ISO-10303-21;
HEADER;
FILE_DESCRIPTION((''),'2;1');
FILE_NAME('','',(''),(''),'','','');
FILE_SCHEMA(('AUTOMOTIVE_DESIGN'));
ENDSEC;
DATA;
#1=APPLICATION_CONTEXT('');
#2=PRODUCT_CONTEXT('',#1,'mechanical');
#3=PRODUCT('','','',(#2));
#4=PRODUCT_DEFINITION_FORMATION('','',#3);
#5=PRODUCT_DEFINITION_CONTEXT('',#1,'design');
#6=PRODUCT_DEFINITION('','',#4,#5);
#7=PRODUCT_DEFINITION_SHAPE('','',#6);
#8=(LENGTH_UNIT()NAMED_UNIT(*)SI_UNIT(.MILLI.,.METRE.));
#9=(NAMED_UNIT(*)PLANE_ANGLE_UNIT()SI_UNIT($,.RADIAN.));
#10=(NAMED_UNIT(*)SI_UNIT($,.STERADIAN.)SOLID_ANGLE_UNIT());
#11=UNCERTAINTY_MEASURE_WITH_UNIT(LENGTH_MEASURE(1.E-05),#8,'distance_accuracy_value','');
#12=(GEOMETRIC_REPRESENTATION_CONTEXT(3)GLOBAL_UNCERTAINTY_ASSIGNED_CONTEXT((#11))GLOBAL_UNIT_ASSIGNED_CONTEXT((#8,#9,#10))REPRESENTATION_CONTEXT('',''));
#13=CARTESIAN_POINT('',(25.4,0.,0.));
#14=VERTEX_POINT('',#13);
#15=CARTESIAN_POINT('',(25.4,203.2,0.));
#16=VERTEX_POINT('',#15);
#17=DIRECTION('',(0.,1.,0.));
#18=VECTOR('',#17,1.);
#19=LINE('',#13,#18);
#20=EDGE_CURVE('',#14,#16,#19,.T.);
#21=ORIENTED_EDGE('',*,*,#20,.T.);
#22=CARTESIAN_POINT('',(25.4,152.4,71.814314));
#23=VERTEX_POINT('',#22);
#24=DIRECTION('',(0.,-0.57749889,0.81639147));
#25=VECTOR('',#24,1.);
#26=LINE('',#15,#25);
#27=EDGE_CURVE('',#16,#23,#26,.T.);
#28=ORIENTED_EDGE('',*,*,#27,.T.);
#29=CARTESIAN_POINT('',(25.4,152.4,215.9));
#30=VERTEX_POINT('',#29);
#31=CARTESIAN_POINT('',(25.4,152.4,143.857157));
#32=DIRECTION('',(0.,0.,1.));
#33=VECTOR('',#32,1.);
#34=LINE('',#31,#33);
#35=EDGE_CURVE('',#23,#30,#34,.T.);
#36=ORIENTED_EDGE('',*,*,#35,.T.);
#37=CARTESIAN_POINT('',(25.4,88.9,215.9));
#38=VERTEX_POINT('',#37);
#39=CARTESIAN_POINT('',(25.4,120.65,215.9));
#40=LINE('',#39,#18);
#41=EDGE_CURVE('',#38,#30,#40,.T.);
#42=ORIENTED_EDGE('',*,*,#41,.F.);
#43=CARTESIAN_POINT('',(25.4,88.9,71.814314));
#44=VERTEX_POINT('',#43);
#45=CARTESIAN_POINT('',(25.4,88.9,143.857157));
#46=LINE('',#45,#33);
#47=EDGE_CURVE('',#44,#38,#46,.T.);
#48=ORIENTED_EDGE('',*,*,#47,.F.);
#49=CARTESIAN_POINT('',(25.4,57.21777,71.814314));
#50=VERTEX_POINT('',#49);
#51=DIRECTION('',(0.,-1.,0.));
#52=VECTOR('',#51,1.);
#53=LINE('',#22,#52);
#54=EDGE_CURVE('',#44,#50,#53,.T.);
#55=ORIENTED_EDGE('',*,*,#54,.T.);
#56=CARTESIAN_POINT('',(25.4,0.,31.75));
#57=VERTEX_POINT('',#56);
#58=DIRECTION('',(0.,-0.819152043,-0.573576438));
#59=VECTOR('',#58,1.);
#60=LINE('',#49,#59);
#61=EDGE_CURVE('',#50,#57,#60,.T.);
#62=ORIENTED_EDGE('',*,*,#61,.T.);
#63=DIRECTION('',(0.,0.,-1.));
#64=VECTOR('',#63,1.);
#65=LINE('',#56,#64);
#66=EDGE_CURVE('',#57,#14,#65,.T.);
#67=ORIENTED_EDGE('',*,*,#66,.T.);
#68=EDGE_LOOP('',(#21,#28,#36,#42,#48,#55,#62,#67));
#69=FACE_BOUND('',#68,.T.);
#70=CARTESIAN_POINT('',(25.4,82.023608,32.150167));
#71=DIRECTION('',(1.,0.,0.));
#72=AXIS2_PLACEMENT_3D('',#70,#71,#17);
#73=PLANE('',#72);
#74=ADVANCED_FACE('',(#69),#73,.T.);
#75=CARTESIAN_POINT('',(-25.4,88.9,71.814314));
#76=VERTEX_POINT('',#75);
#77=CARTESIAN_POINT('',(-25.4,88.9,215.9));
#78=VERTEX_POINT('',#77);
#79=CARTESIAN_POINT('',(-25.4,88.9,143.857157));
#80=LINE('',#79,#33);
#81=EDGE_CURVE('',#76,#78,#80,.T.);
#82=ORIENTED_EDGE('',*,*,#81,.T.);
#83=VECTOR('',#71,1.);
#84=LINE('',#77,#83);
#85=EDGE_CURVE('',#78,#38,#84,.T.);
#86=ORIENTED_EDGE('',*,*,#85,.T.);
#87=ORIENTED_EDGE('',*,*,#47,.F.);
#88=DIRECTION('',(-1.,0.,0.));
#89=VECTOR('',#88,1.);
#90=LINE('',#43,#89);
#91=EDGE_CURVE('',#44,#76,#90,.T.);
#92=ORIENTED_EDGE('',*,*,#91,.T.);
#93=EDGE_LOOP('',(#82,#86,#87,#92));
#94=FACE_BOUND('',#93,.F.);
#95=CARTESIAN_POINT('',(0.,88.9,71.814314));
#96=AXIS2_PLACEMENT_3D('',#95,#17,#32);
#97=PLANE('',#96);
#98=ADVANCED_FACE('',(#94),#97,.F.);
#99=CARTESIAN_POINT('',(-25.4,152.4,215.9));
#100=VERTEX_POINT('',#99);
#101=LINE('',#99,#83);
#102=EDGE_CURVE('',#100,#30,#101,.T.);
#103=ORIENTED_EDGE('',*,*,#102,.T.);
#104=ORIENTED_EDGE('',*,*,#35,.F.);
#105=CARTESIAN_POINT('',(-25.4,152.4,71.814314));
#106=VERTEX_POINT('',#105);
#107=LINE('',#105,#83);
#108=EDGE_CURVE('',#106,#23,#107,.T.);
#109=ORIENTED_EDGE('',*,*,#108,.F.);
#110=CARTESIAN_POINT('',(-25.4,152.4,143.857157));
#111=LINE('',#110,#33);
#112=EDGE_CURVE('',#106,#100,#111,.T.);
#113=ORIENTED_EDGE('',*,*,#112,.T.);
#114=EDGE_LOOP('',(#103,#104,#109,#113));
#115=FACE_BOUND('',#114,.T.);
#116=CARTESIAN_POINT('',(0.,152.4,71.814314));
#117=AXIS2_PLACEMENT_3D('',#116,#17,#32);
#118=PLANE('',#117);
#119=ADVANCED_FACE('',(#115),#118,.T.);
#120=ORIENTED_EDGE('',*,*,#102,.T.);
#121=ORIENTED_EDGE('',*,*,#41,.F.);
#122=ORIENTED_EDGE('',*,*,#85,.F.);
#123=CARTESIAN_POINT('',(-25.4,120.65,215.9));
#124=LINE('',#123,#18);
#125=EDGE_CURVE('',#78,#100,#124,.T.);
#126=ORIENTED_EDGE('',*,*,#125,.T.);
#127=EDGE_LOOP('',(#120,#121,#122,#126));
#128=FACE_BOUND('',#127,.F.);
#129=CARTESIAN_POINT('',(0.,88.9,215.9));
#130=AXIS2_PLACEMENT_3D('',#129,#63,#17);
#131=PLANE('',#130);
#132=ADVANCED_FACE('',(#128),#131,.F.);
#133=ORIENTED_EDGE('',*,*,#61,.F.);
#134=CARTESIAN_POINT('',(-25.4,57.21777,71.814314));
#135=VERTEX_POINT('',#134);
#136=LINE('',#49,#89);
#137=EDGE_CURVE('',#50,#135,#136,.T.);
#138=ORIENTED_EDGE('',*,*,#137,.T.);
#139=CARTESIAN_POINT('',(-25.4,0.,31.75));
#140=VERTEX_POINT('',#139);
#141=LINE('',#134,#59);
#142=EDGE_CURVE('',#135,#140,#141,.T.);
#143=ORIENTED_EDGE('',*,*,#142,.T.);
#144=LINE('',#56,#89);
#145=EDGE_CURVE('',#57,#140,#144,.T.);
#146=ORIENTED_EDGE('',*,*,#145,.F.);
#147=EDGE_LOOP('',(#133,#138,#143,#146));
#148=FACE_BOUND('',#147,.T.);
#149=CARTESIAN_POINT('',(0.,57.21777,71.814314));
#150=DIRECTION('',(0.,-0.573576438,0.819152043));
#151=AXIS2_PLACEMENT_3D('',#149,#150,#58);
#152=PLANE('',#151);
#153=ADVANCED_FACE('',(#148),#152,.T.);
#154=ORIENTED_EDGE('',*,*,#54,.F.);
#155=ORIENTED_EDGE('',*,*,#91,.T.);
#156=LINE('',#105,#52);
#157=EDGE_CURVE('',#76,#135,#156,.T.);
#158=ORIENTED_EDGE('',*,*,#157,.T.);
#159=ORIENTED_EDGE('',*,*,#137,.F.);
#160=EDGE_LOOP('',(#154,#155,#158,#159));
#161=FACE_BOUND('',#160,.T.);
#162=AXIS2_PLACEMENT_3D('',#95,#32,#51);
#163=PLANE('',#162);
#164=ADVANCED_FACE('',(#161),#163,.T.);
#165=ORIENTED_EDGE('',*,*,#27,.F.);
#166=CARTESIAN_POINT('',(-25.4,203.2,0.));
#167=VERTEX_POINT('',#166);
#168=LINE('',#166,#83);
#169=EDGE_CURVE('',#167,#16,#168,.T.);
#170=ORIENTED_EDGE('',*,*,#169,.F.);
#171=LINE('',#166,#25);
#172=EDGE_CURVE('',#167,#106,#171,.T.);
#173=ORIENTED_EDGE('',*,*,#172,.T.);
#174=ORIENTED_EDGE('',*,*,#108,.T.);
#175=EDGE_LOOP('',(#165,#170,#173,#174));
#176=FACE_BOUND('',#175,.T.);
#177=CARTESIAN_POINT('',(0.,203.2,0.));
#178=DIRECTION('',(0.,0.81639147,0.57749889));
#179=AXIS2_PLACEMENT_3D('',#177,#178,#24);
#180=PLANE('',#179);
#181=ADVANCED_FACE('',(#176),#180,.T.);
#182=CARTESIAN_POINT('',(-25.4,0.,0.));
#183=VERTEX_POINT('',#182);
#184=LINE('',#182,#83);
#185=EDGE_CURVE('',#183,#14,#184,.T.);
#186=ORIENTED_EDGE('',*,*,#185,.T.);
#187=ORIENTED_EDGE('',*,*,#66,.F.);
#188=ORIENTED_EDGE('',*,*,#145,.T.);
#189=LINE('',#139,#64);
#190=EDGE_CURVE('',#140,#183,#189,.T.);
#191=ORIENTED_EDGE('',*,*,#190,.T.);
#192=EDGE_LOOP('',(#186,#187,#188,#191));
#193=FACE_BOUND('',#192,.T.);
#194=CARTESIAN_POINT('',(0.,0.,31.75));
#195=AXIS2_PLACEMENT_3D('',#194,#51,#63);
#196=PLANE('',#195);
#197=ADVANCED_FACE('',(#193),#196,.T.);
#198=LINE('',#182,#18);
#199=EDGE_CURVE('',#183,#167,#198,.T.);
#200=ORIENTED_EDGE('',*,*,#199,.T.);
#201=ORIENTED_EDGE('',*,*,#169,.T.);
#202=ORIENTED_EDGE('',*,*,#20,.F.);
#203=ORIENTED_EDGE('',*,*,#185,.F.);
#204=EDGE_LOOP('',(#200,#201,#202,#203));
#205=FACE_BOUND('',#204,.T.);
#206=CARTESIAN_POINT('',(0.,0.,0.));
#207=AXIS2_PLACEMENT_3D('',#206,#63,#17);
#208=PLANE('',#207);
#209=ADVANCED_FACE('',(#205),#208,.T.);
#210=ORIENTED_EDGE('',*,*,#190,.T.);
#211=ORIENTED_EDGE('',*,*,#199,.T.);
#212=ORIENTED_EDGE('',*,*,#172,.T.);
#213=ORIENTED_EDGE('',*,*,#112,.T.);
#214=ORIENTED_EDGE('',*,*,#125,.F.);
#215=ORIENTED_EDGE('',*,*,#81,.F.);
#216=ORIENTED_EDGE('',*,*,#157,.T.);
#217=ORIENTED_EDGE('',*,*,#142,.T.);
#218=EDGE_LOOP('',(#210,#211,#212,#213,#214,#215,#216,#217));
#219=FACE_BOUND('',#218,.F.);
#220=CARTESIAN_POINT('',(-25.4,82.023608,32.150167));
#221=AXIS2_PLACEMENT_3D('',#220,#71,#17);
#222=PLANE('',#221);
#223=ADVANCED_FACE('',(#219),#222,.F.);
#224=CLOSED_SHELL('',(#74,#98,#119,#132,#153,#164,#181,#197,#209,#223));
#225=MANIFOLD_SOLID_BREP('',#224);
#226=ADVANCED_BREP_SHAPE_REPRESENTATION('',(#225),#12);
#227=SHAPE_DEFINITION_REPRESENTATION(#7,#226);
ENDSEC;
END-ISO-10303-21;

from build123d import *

# Parameters (mm, degrees)
F0_W     = 63.5
F0_H     = 144.085686
F1_DEPTH = 25.4


with BuildPart() as f1:
    # F0 (on Right) → F1 (new body, symmetric)
    with BuildSketch(Plane.YZ):
        Polygon((0, 31.75), (0, 0), (152.4, 0), (152.4, 71.814314), (88.9, 71.814314), (57.21777, 71.814314), align=None)
        Polygon((152.4, 71.814314), (152.4, 0), (203.2, 0), align=None)
        with Locations((120.65, 143.857157)):
            Rectangle(F0_W, F0_H)
    extrude(amount=F1_DEPTH, both=True)


solid = f1.part
